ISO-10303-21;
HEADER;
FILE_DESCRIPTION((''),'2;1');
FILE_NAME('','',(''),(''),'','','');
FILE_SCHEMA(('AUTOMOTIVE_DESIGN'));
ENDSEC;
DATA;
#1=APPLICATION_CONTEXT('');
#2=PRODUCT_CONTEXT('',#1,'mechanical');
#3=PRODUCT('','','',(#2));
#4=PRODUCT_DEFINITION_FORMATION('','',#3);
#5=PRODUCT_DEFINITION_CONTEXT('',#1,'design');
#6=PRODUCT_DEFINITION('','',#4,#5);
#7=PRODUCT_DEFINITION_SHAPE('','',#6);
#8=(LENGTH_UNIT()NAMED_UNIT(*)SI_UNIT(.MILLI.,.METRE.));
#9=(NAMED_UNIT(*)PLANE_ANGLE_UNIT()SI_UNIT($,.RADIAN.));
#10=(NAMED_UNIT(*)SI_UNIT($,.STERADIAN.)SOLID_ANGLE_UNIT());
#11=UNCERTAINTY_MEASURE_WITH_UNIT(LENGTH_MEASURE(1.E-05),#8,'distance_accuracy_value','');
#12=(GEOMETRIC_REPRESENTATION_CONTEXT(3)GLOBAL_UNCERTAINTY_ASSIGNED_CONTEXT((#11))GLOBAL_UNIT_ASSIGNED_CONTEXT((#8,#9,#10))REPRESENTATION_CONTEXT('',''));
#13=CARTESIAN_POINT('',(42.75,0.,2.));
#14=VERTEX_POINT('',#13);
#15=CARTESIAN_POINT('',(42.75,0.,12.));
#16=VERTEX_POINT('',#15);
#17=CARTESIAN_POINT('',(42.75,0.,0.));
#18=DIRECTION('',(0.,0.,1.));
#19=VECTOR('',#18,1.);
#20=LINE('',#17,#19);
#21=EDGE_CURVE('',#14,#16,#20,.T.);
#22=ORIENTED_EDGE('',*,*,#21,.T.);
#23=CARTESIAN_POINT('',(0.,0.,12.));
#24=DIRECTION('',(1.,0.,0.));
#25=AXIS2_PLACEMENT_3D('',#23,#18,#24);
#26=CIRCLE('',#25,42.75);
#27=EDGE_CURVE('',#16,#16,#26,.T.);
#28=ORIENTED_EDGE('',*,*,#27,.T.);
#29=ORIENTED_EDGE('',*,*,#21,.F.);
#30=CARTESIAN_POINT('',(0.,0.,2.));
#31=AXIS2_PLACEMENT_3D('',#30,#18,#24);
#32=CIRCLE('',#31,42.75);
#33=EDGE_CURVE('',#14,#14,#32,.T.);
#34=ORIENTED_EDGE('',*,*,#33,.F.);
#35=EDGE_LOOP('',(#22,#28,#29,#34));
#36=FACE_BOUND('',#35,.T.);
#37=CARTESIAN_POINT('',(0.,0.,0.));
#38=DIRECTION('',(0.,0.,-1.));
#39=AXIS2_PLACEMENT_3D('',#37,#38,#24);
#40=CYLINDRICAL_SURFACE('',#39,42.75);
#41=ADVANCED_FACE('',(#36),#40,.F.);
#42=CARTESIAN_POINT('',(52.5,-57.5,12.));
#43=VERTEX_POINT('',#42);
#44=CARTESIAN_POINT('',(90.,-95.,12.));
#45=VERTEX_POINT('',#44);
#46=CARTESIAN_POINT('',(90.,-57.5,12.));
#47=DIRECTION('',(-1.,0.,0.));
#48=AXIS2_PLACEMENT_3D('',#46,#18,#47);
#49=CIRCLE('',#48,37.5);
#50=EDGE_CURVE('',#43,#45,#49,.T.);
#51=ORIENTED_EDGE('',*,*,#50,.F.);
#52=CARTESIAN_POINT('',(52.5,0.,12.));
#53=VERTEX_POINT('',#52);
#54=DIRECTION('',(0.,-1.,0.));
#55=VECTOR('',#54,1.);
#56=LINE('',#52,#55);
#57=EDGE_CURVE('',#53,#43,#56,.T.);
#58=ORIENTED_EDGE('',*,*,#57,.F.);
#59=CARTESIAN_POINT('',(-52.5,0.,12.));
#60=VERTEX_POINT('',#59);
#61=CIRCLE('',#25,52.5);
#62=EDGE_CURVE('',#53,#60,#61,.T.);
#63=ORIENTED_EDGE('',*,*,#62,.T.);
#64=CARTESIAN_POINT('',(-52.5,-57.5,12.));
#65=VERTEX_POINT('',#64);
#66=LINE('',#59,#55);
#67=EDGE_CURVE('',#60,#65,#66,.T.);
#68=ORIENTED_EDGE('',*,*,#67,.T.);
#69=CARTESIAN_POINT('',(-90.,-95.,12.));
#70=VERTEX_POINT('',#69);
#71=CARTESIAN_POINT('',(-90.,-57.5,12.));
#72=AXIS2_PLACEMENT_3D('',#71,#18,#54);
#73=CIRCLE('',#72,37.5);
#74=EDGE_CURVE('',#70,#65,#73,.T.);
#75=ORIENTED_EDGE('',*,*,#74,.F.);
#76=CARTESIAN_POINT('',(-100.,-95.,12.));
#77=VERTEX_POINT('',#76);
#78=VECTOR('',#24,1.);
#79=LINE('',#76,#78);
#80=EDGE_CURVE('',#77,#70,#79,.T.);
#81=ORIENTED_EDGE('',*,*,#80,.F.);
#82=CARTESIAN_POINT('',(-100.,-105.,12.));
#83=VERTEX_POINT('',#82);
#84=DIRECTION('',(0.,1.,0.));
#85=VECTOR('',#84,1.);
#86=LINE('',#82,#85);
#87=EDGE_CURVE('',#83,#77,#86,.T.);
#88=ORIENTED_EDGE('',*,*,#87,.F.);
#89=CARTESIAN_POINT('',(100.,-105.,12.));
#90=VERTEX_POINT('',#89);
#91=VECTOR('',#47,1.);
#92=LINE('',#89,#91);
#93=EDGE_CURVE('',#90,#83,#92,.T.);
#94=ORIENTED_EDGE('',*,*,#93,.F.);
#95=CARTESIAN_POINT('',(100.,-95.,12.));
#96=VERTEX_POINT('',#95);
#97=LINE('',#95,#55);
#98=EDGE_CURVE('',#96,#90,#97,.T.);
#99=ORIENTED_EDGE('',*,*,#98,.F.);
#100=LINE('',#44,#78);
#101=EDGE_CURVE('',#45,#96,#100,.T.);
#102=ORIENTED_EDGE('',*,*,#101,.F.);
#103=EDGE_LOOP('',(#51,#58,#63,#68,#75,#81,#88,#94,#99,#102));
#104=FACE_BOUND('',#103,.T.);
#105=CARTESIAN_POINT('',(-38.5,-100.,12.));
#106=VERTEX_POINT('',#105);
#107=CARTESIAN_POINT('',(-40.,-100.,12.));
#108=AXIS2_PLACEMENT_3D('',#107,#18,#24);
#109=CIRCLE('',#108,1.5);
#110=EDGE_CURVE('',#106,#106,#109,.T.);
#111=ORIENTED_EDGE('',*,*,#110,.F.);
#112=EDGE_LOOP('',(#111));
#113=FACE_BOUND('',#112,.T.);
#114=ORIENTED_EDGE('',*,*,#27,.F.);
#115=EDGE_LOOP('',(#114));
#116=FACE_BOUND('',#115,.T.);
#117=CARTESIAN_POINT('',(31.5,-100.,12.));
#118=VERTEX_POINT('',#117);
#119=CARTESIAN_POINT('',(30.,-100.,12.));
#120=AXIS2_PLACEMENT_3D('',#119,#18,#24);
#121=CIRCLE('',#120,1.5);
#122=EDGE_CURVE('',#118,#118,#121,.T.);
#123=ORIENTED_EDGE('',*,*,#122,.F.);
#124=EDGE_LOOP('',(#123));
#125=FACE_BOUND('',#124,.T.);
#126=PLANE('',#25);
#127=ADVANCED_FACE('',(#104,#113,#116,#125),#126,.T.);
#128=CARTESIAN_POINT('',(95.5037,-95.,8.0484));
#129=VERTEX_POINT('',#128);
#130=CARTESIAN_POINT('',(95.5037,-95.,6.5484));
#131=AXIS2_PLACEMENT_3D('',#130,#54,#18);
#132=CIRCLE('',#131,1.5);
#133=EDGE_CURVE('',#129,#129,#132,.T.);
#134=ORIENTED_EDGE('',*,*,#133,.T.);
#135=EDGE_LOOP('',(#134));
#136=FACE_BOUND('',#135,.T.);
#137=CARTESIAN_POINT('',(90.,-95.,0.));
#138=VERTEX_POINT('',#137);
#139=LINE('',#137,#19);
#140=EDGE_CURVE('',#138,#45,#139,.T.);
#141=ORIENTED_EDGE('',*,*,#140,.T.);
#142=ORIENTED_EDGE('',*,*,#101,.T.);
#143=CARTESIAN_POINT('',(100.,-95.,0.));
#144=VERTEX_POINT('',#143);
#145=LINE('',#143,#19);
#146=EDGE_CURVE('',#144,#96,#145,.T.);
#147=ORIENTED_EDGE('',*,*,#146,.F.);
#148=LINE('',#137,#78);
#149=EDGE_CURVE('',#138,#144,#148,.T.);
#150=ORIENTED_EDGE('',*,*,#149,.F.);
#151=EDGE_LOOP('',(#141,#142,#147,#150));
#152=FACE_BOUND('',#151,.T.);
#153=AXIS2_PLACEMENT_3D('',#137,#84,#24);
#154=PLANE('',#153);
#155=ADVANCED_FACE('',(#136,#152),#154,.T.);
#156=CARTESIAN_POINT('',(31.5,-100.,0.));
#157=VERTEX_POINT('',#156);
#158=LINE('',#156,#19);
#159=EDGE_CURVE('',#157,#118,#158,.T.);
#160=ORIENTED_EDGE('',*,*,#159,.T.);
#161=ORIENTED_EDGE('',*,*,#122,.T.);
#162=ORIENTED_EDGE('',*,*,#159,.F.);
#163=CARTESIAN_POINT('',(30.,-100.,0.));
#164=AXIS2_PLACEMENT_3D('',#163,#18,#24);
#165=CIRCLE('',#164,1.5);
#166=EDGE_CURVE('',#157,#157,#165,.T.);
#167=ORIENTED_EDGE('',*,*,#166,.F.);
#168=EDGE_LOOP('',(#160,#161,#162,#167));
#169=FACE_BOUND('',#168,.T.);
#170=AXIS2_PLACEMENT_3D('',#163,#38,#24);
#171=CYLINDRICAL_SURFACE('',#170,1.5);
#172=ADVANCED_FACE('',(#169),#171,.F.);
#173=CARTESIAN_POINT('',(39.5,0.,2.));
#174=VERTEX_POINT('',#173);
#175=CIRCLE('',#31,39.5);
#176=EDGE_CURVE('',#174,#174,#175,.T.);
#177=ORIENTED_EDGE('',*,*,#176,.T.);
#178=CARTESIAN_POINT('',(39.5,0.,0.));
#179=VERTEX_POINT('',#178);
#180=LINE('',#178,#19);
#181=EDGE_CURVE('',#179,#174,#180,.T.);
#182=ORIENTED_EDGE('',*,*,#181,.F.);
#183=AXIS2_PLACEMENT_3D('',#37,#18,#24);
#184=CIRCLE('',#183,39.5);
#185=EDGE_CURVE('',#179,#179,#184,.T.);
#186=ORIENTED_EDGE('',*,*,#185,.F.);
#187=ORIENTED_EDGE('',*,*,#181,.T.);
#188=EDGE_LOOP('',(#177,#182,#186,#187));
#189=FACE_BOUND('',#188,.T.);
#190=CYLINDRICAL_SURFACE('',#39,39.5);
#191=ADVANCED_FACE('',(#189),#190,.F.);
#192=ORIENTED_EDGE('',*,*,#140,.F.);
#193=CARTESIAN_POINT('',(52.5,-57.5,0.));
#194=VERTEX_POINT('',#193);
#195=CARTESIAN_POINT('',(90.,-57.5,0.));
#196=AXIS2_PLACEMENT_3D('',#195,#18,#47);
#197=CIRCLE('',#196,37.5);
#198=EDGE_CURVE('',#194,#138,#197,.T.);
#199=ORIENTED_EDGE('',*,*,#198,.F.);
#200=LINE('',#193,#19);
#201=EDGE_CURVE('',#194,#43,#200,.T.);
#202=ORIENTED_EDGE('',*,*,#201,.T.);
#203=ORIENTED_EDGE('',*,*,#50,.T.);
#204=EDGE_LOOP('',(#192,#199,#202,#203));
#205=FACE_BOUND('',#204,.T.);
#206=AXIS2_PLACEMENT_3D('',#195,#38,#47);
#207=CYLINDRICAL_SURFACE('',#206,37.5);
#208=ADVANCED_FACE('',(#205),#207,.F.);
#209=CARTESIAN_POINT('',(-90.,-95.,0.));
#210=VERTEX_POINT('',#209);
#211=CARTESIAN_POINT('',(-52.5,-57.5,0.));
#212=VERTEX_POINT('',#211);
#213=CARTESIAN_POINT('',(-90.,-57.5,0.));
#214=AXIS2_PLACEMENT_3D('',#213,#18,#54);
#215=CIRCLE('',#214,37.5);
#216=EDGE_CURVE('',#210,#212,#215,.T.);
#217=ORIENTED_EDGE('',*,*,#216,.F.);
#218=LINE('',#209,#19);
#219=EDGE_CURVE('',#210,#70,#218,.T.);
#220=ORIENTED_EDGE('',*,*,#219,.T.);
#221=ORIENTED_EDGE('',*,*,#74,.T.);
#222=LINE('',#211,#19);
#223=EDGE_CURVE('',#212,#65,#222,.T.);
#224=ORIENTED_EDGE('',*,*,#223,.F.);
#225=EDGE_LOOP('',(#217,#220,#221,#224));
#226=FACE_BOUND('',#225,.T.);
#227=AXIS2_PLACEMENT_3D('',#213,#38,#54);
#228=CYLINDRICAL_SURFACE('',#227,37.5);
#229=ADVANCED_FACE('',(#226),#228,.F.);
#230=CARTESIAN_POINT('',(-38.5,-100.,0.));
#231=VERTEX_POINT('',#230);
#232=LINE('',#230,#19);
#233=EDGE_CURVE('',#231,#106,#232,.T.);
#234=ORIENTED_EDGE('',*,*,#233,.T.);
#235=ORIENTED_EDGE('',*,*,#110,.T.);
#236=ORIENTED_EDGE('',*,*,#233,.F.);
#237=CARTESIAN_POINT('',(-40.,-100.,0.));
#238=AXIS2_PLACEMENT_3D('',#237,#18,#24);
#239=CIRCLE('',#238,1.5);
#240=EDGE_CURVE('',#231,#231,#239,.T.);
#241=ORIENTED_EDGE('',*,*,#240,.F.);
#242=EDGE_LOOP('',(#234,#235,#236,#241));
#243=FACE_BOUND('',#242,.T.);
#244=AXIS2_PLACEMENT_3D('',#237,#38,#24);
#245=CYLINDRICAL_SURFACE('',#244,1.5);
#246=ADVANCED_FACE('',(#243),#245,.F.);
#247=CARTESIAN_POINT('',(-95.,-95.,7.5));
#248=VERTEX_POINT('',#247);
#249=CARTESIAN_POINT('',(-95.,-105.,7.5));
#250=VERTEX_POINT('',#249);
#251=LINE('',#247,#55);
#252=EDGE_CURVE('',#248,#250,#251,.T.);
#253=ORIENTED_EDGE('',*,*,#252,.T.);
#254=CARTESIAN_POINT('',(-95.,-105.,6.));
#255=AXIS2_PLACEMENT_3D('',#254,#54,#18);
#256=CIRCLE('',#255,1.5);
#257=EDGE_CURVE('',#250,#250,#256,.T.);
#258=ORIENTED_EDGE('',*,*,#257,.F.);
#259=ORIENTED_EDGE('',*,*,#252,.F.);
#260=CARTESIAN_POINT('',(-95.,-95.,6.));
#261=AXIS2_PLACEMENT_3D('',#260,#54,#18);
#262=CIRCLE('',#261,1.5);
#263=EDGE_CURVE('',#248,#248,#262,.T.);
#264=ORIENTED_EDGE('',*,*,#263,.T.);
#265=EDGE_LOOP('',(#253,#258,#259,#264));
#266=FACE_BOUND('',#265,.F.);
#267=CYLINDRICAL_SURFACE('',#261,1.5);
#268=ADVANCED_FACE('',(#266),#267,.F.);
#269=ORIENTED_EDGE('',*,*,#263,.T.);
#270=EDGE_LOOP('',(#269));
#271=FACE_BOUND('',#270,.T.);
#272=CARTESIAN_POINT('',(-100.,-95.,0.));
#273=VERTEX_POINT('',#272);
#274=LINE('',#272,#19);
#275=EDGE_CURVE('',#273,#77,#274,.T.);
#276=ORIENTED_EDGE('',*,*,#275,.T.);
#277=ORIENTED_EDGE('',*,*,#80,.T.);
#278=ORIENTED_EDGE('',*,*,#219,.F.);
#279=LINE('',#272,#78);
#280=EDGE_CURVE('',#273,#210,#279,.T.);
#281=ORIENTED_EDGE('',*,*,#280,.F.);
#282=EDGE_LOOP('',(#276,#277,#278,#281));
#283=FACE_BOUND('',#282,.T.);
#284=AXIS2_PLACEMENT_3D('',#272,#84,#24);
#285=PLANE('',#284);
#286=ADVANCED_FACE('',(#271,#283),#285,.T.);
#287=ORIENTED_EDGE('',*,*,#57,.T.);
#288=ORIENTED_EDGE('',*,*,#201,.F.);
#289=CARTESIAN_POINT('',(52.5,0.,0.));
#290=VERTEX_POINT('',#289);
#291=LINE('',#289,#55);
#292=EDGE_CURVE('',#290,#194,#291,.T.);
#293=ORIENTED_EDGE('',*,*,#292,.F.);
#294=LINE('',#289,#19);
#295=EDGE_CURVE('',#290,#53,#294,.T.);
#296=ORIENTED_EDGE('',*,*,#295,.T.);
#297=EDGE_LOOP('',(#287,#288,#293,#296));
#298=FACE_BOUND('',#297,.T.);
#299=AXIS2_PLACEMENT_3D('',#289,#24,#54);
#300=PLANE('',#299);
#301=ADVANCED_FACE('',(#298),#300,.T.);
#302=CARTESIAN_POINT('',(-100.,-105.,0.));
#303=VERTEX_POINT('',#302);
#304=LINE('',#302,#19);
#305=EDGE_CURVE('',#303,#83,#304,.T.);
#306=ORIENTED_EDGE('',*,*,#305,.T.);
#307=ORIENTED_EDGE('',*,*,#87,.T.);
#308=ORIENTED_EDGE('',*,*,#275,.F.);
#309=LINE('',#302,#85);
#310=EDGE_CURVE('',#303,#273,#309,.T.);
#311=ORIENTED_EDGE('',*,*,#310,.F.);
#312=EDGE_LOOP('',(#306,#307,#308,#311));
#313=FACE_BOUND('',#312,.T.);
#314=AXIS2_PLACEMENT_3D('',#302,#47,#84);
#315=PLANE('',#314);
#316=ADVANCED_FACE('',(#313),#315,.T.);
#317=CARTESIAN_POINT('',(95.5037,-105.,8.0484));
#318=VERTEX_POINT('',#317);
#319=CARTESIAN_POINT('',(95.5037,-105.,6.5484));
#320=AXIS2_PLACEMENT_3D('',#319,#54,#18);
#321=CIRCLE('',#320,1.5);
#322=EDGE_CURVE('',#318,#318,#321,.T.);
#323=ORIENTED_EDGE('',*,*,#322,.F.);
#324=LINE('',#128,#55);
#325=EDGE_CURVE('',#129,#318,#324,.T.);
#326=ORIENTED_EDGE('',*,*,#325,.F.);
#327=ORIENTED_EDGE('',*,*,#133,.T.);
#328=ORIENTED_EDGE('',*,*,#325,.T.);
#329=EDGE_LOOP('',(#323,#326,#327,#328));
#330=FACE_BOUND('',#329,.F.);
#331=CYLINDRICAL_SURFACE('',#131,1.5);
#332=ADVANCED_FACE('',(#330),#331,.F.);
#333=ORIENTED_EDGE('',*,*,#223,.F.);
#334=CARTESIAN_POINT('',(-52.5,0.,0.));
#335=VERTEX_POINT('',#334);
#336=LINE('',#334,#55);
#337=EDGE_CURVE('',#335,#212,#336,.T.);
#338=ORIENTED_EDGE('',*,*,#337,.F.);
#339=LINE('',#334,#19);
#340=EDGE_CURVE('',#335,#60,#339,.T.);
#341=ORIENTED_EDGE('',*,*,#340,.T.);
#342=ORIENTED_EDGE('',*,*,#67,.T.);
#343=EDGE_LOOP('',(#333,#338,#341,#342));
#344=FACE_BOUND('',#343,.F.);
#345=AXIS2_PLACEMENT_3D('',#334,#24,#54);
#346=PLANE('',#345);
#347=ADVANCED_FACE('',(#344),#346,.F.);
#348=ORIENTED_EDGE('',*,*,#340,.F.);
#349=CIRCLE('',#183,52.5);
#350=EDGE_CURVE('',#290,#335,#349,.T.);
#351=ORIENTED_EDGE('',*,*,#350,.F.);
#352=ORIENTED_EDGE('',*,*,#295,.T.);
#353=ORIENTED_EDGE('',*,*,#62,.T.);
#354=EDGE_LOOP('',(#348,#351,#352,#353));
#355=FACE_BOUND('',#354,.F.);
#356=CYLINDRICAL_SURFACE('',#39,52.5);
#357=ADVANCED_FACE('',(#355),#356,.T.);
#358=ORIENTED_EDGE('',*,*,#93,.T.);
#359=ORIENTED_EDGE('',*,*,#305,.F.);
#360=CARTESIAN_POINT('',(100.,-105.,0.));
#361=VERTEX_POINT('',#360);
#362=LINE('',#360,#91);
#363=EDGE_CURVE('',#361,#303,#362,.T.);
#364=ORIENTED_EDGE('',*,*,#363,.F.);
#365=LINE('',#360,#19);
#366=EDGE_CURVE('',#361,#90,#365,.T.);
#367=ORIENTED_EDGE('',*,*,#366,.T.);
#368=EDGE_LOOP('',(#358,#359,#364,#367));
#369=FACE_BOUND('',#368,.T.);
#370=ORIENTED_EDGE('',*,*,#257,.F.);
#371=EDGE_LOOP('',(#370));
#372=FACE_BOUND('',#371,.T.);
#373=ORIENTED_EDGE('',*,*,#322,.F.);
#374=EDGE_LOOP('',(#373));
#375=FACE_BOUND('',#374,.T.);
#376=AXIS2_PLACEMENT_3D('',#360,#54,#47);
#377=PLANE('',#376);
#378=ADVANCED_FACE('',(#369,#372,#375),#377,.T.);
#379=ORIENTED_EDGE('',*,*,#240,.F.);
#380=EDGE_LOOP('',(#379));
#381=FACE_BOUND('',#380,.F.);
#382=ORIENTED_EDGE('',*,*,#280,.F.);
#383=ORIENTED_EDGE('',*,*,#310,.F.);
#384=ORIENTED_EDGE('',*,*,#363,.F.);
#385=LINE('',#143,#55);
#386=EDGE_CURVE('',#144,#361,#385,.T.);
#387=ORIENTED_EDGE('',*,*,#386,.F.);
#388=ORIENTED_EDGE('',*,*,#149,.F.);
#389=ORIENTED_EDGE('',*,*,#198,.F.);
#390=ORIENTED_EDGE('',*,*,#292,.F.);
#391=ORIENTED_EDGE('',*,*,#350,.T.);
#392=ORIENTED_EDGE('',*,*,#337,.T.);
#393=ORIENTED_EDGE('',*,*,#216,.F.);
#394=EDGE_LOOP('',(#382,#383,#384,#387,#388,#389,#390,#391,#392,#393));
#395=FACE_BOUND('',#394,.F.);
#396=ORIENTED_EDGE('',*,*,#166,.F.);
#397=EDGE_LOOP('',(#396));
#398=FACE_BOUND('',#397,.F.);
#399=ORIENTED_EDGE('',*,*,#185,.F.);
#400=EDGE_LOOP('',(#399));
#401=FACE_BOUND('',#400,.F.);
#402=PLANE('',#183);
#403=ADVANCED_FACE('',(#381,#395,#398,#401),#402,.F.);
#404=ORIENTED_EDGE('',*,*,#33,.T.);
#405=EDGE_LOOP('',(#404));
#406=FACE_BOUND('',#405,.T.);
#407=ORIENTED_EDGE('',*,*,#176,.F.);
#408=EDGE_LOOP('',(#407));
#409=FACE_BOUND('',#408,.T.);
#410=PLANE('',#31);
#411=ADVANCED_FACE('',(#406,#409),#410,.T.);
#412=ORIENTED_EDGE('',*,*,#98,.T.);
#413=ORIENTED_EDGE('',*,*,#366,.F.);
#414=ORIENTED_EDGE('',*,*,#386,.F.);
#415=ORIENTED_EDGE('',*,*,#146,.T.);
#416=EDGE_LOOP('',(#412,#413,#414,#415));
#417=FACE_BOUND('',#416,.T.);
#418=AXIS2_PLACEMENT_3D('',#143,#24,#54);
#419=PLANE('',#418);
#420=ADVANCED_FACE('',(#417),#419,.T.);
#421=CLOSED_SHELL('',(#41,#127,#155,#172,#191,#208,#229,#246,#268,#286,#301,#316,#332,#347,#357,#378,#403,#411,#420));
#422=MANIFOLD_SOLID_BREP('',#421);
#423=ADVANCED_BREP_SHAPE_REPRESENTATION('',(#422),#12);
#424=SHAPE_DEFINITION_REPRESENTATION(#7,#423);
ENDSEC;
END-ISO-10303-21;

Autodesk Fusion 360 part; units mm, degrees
sketch "Sketch1" plane through (0, 0, 0) normal (0, 0, 1) x (1, 0, 0)
  circle A0 centre (0, 0) radius 42.75
  circle A1 centre (0, 0) radius 39.5
  line L0 (0, 0) -> (0, -100) construction
  line L1 (100, -105) -> (-100, -105)
  line L2 (-100, -105) -> (-100, -95)
  line L3 (100, -95) -> (100, -105)
  line L4 (100, -105) -> (-100, -95) construction
  line L5 (-100, -105) -> (100, -95) construction
  circle A2 centre (0, 0) radius 52.5
  line L6 (-52.5, 0) -> (-52.5, -57.5)
  line L7 (52.5, 0) -> (52.5, -57.5)
  line L8 (-100, -95) -> (-90, -95)
  line L9 (90, -95) -> (100, -95)
  arc A3 (-90, -95) -> (-52.5, -57.5) centre (-90, -57.5) ccw
  arc A4 (52.5, -57.5) -> (90, -95) centre (90, -57.5) ccw
  line L10 (100, -100) -> (30, -100) construction
  line L11 (100, -100) -> (-40, -100) construction
  circle A5 centre (30, -100) radius 1.5
  circle A6 centre (-40, -100) radius 1.5
  point P0 (0, -100)
  dimension "d1" = 85.5
  dimension "d5" = 79
  dimension "d7" = 100
  dimension "d8" = 200
  dimension "d9" = 10
  dimension "d10" = 105
  dimension "d11" = 37.5
  dimension "d12" = 10
  dimension "d13" = 37.5
  dimension "d24" = 70
  dimension "d25" = 140
  dimension "d26" = 3
  dimension "d27" = 3
extrude "Extrude1" add sketch "Sketch1" along normal blind 12 contours L1 L2 L3 A2 L6 L7 L8 L9 A3 A4 | A2
extrude "Extrude2" add sketch "Sketch1" along normal blind 2 contours A0
hole "Hole1" at (-95, -95, 6) direction (0, -1, 0) diameter 3 depth 10 tip angle 118
hole "Hole2" at (95.5037, -95, 6.5484) direction (0, -1, 0) diameter 3 depth 10 tip angle 118
equation "d1 = BearingDia + Tollerance"
equation "BearingDia = 85 mm"
equation "BearingOffset = 79 mm"
equation "Tollerance = 0.5 mm"
equation "d5 = BearingOffset"
equation "AxleHeight = 105 mm"
equation "d7 = AxleHeight - 5 mm"
equation "d10 = BearingDia + 20 mm"
equation "d24 = ( 210 / 3 ) * 1 mm"
